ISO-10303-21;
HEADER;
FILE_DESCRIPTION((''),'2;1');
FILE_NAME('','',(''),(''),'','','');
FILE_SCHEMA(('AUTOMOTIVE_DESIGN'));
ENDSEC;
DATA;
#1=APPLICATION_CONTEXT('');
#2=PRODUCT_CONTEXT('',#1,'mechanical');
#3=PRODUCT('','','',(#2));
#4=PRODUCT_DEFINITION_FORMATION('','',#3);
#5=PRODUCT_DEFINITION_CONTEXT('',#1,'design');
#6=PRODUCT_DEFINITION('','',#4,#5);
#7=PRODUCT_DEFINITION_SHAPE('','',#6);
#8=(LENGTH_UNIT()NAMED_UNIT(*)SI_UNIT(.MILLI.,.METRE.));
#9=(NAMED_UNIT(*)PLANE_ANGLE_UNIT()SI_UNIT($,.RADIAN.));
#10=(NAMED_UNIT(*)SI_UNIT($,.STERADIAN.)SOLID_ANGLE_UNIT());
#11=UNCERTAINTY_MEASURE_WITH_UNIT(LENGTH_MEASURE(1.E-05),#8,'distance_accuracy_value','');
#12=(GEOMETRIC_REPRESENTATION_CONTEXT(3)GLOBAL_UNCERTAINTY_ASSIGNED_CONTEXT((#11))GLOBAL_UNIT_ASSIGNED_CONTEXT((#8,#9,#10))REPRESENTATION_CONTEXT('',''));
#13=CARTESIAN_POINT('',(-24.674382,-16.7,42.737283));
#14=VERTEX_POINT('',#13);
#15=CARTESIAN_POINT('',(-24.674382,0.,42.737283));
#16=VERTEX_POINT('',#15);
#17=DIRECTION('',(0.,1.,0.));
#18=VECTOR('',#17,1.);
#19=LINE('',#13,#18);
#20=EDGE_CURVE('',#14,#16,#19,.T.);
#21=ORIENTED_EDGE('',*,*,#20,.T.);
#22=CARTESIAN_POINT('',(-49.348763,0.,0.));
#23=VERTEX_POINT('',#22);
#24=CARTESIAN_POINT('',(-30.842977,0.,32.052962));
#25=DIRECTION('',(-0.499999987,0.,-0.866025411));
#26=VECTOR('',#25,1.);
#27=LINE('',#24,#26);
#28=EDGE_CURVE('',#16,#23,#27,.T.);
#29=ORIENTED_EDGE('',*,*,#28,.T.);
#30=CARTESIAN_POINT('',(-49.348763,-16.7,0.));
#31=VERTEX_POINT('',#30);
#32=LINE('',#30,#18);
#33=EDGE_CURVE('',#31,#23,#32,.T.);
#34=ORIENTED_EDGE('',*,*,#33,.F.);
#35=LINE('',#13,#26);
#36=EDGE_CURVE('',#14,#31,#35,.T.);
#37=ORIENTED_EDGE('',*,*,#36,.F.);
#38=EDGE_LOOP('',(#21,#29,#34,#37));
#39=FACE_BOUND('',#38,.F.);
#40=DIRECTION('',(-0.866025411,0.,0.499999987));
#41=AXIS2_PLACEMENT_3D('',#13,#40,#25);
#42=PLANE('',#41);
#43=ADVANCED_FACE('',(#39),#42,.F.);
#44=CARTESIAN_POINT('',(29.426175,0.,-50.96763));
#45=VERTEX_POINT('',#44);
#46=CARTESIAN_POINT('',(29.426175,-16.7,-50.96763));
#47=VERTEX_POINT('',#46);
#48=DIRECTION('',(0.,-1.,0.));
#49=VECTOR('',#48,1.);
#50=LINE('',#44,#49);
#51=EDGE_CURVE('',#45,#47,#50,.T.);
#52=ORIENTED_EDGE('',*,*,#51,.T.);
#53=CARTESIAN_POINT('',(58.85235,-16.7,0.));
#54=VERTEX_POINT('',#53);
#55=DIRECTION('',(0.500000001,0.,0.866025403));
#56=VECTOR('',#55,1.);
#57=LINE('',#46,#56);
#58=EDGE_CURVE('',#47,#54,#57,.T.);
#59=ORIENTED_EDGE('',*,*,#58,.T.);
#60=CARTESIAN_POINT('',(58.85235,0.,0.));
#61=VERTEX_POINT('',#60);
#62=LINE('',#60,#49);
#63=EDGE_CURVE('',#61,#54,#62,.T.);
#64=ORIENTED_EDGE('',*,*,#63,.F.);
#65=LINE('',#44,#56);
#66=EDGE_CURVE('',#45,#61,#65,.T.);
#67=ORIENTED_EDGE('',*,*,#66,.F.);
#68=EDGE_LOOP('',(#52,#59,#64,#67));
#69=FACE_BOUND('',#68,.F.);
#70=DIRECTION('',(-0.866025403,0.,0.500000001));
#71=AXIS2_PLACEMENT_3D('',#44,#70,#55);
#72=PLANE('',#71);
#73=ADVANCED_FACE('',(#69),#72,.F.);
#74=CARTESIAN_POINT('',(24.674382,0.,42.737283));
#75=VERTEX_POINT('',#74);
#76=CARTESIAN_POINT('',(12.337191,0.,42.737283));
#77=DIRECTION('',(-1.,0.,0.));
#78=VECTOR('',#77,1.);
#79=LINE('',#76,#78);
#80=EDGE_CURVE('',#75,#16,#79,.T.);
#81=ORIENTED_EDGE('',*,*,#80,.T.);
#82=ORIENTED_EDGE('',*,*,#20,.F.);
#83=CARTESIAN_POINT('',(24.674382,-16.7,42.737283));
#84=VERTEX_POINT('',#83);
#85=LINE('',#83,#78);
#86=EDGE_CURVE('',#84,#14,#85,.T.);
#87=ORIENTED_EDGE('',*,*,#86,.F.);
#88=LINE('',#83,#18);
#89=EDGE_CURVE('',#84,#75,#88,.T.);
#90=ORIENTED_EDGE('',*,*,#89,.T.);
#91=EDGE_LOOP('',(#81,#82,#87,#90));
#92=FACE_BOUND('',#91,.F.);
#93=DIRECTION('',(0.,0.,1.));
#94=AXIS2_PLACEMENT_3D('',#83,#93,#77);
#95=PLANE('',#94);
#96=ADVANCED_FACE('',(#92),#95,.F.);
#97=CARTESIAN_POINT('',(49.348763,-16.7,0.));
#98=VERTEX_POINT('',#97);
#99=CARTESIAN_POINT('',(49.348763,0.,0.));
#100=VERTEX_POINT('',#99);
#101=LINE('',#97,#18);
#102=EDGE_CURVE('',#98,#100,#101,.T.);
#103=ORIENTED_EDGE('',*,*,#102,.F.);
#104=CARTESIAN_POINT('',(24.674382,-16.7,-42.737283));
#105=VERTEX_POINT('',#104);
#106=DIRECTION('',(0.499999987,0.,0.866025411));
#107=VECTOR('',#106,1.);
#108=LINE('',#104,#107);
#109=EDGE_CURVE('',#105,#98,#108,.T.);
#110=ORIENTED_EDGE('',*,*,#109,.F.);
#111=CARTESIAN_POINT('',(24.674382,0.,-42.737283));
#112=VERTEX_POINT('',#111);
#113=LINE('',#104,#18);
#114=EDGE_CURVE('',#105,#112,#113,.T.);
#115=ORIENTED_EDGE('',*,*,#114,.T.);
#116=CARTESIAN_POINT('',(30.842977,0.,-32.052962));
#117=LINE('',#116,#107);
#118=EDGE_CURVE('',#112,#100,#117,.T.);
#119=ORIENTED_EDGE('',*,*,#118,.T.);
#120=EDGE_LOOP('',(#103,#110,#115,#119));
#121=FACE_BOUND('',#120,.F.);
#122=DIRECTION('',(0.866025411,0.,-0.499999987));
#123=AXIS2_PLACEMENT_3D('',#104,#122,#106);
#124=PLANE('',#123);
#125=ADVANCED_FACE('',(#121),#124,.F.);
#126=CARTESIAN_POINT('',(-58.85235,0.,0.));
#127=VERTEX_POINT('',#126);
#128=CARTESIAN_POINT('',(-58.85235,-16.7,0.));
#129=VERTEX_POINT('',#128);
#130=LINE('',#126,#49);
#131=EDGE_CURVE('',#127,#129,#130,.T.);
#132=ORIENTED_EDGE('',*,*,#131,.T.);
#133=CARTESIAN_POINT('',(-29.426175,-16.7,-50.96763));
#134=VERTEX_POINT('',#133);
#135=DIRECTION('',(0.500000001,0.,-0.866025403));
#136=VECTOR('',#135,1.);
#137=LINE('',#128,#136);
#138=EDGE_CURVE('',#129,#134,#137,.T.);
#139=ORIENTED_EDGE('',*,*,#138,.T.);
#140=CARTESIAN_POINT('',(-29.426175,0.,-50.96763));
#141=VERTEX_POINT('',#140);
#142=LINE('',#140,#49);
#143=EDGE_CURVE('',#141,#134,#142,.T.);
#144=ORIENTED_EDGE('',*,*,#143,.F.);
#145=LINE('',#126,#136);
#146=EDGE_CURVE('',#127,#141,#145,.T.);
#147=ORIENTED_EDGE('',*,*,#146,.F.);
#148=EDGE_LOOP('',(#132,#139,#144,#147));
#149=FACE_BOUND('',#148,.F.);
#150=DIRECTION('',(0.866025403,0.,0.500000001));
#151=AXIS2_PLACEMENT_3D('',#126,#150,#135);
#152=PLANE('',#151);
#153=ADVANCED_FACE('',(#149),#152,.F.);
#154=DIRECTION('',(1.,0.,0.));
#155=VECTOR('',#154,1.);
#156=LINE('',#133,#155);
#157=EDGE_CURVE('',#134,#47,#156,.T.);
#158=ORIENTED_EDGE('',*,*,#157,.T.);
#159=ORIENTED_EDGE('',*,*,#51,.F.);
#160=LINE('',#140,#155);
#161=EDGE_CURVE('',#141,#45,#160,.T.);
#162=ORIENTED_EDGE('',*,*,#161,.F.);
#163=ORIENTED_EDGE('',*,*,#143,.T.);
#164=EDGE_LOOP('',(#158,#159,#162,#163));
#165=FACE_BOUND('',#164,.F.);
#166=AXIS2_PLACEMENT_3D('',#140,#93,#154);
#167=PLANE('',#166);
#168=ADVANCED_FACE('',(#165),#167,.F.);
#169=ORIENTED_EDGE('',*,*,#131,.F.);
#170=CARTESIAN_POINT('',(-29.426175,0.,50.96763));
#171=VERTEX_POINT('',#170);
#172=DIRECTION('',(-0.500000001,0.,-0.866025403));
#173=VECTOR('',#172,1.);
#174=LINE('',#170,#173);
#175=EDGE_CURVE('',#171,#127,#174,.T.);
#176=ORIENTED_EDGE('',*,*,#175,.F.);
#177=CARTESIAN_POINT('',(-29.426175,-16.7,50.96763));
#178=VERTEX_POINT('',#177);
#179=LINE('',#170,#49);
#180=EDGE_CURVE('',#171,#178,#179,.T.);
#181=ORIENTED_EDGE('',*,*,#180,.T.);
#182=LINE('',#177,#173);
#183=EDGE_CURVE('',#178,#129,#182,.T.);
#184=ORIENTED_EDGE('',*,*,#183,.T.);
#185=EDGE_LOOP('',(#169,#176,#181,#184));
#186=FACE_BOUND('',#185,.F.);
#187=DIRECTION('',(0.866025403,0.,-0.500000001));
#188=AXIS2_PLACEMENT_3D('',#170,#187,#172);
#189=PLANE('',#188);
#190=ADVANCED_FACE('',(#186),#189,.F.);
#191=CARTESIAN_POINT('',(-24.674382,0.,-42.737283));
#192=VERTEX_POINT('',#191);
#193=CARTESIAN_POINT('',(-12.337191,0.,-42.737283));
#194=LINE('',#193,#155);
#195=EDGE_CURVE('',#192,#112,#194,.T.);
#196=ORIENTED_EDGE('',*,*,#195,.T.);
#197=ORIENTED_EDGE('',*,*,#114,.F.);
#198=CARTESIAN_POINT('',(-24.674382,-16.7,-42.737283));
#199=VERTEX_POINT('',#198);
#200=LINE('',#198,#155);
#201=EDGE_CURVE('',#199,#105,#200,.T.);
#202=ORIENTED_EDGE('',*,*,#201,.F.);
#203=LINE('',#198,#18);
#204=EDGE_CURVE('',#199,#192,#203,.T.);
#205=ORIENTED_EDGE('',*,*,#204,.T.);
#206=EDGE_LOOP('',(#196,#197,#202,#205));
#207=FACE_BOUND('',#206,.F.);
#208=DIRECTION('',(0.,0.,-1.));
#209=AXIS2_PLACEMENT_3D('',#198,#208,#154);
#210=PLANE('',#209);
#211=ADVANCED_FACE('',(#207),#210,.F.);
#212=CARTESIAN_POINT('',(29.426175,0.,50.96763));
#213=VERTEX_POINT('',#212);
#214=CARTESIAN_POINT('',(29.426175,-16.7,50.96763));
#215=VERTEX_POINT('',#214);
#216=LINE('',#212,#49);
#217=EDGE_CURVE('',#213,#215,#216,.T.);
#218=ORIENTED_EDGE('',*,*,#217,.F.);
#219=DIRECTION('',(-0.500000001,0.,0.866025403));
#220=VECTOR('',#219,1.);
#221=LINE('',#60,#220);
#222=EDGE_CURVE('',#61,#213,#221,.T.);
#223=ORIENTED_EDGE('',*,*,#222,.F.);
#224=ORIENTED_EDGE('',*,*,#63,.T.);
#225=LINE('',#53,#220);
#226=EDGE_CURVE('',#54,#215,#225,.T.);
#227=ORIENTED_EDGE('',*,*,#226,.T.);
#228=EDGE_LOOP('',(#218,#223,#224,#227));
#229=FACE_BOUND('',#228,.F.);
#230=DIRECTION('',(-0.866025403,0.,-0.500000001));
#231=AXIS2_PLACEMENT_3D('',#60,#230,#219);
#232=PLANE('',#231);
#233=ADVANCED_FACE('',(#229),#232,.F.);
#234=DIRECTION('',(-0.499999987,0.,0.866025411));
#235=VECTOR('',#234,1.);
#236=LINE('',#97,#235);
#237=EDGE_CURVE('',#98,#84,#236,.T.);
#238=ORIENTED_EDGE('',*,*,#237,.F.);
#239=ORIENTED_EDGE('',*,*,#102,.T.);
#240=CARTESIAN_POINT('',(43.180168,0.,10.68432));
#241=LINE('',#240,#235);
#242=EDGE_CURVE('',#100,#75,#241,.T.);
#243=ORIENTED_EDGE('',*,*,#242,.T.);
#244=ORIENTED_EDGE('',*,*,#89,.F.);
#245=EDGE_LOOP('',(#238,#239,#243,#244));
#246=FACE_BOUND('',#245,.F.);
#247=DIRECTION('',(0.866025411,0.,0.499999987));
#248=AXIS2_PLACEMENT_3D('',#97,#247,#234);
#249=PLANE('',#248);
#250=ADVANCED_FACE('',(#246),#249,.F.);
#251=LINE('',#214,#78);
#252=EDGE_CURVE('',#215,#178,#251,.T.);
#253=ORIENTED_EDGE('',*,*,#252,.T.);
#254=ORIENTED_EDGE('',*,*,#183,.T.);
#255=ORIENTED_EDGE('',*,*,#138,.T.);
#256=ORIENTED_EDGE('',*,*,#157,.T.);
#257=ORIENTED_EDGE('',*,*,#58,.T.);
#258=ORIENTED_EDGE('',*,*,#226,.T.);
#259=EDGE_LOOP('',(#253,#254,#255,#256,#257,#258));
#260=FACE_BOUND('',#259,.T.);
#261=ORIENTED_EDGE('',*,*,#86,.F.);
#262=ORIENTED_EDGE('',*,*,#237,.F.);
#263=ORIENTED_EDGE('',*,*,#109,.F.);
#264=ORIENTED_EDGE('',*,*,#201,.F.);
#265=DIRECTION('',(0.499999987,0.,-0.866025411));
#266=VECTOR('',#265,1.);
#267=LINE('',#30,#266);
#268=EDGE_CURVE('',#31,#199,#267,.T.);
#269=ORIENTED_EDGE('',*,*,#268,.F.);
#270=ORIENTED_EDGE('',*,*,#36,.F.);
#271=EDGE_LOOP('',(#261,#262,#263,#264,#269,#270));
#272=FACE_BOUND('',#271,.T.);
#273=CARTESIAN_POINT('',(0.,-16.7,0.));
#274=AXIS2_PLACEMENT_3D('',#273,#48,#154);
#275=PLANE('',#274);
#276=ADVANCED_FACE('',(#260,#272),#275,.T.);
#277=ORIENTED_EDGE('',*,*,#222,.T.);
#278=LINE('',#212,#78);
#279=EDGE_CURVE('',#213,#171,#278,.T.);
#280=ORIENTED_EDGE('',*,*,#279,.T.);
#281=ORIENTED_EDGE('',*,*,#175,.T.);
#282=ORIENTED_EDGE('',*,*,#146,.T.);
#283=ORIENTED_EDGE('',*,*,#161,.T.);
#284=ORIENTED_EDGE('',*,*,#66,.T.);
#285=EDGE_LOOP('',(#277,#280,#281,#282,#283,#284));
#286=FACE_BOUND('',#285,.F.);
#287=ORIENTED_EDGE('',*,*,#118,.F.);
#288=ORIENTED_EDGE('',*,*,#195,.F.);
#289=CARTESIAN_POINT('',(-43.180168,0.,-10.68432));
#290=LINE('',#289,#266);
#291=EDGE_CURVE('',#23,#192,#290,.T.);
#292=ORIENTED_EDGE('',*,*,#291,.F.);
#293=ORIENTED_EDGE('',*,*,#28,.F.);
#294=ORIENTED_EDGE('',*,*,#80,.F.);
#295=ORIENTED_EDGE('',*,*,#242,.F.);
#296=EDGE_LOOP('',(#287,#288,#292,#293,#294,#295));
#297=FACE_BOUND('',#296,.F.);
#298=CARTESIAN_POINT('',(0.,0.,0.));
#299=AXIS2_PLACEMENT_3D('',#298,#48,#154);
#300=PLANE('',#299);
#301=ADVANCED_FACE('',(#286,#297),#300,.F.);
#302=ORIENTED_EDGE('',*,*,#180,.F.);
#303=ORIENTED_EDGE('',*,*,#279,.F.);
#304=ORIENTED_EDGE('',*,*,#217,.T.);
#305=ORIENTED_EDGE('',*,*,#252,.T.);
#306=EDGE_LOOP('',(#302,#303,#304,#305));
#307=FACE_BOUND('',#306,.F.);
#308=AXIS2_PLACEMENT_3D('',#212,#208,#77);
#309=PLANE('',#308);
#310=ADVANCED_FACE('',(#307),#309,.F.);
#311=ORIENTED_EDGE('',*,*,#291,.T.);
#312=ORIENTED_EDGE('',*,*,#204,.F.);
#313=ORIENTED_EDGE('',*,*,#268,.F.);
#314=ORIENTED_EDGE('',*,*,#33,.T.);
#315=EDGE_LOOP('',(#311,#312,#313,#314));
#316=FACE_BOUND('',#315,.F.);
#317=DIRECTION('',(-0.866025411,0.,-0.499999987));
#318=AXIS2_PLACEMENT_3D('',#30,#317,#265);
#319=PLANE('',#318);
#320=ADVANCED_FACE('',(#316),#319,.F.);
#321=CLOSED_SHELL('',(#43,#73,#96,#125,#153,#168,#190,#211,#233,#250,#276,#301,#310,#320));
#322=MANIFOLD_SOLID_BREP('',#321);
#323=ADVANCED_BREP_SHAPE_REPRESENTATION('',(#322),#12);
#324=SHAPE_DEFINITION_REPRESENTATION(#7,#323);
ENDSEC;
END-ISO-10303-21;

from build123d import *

# Parameters (mm, degrees)
F2_DEPTH = 16.7
F4_DEPTH = 47.6


with BuildPart() as f2:
    # F1 (on face) → F2 (new body)
    with BuildSketch(Plane.XZ):
        Polygon((58.85235, 0), (29.426175, 50.96763), (-29.426175, 50.96763), (-58.85235, 0), (-29.426175, -50.96763), (29.426175, -50.96763), align=None)
    extrude(amount=F2_DEPTH)

    # F3 (on face) → F4 (cut)
    with BuildSketch(Plane.XZ.offset(16.7)):
        Polygon((24.674382, 42.737283), (-24.674382, 42.737283), (-49.348763, 0), (-24.674382, -42.737283), (24.674382, -42.737283), (49.348763, 0), align=None)
    extrude(amount=-F4_DEPTH, mode=Mode.SUBTRACT)


solid = f2.part
